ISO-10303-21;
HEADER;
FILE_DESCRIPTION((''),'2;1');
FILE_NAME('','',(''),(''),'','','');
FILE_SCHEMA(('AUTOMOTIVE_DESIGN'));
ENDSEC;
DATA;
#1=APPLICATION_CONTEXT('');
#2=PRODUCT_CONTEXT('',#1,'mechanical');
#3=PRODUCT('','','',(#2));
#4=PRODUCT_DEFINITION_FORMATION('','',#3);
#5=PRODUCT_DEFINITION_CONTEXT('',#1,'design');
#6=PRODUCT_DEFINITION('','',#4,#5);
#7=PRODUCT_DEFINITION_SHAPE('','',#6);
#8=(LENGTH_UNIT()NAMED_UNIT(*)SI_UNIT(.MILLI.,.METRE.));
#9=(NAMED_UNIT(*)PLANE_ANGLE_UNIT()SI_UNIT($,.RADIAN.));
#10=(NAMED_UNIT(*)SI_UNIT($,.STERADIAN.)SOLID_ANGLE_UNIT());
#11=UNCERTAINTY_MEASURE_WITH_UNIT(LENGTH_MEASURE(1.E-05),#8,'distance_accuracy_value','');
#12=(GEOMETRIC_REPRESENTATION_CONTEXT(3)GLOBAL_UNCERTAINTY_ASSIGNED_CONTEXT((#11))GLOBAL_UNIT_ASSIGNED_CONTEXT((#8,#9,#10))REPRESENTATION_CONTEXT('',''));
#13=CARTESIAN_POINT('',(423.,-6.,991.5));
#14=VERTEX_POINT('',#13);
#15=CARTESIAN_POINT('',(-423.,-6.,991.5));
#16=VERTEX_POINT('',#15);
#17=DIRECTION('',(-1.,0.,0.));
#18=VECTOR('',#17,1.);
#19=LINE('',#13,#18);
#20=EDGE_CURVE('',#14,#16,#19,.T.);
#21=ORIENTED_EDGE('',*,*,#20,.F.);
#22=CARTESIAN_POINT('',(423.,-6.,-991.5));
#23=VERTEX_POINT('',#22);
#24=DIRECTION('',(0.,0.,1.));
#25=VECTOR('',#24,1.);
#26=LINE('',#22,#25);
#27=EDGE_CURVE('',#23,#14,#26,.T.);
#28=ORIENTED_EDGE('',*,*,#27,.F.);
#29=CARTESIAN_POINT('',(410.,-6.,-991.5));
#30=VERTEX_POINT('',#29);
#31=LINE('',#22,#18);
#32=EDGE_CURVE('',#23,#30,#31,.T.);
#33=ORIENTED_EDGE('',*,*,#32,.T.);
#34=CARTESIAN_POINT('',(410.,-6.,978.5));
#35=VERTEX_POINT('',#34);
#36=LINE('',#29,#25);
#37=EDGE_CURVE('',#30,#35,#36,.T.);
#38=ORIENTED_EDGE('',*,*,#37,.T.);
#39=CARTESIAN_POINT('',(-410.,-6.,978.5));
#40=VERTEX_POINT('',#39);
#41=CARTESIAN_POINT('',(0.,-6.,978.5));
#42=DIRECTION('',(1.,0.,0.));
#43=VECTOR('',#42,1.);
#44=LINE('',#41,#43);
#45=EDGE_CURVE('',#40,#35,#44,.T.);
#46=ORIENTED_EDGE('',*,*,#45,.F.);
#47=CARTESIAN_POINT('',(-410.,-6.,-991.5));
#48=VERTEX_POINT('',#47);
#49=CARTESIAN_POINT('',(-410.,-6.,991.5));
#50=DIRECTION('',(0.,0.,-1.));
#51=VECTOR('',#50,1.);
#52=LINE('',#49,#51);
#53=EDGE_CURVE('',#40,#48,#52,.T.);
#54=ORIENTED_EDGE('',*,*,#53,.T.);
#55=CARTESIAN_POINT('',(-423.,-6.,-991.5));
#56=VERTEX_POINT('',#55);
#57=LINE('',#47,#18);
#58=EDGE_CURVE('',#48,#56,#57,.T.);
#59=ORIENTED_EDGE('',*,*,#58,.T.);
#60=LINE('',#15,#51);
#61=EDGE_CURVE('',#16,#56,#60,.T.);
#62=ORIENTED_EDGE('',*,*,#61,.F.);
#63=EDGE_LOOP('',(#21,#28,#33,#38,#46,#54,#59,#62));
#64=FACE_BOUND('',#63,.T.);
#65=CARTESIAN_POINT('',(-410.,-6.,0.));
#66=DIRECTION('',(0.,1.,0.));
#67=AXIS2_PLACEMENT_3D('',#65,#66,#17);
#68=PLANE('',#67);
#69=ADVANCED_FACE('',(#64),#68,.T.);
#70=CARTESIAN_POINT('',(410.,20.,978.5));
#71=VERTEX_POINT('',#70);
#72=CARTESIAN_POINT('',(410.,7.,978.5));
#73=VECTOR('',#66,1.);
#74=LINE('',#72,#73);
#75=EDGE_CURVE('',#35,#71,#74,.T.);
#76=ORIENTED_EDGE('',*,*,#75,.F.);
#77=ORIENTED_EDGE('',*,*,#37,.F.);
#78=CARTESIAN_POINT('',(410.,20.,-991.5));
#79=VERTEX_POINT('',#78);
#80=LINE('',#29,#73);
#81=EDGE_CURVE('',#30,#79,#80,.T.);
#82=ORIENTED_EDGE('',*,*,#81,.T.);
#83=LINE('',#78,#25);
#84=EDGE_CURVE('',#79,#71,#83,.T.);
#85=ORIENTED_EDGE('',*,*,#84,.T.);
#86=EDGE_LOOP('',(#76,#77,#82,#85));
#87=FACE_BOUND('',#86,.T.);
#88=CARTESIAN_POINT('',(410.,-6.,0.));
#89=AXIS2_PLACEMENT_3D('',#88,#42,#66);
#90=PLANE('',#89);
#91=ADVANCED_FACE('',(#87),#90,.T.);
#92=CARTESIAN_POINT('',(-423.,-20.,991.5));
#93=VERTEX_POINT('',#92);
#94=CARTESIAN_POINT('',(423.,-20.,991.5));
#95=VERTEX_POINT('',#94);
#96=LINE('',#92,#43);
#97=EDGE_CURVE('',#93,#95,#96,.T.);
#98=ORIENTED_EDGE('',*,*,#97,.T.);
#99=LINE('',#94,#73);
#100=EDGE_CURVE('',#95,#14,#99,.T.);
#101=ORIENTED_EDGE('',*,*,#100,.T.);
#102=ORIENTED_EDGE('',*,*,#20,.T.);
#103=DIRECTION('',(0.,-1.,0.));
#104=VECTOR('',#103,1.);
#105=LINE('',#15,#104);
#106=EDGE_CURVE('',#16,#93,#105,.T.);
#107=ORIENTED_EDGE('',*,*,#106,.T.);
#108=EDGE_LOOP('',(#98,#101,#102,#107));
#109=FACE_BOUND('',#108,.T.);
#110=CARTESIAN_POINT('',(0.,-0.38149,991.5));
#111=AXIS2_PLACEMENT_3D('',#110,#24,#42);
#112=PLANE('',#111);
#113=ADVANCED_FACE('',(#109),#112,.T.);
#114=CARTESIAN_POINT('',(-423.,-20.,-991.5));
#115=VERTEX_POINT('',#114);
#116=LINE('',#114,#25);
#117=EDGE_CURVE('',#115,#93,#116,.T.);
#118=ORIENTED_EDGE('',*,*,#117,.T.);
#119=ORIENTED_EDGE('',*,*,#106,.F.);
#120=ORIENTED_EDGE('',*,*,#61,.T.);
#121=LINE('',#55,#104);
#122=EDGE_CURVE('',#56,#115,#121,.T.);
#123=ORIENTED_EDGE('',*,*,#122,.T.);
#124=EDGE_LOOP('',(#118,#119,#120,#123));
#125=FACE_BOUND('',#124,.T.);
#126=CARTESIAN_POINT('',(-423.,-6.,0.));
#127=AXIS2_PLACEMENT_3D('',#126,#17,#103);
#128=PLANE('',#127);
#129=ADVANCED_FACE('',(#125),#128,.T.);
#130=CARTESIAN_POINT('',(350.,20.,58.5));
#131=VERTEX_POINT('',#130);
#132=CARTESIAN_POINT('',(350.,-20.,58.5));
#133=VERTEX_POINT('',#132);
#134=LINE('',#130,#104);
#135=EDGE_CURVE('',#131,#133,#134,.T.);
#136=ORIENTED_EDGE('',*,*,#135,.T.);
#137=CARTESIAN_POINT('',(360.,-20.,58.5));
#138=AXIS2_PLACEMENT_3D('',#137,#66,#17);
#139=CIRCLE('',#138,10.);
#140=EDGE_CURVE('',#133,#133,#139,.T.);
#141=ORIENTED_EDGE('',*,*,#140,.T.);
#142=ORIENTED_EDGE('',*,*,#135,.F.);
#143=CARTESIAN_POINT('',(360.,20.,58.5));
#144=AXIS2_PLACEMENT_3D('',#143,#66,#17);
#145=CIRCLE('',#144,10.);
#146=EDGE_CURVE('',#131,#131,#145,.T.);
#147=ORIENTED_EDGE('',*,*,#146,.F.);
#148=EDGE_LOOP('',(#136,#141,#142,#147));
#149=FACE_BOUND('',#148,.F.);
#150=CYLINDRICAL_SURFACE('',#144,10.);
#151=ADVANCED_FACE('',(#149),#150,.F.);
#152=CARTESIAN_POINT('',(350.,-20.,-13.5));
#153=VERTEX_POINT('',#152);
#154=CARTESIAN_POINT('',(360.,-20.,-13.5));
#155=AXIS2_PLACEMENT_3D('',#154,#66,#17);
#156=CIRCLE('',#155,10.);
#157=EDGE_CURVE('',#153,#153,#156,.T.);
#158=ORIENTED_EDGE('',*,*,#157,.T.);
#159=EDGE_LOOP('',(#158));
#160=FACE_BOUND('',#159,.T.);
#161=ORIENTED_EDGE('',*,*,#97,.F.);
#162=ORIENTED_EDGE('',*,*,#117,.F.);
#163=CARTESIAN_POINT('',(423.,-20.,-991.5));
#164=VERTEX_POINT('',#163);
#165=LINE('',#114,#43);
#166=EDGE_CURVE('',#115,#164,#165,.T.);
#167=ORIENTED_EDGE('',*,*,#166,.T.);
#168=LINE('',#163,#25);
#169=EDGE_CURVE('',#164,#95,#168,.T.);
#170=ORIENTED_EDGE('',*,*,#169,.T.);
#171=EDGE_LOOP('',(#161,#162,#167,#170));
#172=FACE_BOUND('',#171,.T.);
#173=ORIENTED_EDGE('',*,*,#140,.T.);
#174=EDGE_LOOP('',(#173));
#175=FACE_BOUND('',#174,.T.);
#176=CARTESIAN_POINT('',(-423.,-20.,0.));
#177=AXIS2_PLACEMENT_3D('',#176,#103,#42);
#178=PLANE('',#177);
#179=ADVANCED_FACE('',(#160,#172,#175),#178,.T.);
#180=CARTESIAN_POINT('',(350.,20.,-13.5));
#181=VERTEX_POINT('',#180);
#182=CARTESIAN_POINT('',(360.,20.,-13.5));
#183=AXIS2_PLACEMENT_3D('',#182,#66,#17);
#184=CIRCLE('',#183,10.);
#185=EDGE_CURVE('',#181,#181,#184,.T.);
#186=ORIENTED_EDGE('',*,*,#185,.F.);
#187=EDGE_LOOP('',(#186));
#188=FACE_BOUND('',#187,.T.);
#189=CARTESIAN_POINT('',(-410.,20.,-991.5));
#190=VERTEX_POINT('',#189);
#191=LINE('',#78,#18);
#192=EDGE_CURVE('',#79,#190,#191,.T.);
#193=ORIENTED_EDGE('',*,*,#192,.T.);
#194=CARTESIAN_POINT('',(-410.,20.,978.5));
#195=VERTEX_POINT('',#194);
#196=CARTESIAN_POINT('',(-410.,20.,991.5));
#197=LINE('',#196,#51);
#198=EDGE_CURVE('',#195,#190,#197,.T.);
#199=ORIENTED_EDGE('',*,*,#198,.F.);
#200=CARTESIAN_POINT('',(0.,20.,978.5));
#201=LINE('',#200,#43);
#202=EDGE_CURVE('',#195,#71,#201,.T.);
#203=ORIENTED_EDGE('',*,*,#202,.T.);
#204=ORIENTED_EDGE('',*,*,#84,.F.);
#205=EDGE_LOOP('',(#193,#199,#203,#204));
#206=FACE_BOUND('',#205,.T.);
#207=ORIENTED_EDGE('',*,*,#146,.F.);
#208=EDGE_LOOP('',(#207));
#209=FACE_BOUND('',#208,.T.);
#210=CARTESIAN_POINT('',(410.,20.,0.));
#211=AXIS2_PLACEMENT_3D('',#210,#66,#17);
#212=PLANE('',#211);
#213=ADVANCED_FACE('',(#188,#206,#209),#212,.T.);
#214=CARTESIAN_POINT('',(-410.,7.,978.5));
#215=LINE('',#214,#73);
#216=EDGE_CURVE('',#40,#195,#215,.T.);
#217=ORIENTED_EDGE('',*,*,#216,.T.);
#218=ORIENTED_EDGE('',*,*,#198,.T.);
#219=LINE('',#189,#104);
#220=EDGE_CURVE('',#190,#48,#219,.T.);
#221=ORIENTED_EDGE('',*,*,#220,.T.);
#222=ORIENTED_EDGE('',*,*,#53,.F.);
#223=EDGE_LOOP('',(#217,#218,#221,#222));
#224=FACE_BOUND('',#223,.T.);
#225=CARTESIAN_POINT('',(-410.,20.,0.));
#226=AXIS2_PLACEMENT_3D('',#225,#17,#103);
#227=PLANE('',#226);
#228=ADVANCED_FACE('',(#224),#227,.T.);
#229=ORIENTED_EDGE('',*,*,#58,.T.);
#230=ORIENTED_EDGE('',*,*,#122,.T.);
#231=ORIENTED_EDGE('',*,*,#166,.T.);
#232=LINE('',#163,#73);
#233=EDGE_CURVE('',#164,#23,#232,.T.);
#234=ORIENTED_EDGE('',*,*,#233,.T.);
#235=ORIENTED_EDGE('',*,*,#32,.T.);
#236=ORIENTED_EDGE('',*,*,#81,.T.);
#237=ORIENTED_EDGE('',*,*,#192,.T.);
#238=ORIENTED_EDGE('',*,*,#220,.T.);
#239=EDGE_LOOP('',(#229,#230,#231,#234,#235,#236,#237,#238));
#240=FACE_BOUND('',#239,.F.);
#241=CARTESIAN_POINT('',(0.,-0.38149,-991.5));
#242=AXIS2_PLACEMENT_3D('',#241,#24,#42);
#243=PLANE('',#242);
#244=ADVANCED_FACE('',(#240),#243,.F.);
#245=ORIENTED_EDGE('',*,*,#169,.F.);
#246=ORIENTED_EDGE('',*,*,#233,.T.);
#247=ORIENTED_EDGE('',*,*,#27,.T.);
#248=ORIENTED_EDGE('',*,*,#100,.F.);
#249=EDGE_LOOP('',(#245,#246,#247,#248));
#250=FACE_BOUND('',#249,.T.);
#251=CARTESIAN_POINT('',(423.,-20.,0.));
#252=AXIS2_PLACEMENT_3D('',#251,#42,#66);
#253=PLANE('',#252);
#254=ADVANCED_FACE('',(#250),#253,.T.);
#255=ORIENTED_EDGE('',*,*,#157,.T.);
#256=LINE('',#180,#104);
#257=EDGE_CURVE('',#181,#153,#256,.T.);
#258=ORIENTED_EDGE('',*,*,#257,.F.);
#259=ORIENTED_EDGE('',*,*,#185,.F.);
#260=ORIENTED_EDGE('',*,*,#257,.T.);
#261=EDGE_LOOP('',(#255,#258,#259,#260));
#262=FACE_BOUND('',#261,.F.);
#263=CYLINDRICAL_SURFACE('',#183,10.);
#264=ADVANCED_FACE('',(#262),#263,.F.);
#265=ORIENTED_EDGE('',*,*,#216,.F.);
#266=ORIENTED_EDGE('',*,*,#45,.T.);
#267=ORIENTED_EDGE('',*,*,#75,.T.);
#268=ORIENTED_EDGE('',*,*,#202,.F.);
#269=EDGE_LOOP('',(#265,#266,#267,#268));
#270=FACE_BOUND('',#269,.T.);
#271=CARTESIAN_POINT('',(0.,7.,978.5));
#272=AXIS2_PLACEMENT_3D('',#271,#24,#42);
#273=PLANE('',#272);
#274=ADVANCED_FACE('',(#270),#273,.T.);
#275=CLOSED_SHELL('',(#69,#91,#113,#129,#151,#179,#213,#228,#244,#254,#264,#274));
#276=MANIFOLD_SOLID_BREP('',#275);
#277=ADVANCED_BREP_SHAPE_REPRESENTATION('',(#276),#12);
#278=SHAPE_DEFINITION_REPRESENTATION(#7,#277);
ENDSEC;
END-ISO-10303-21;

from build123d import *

# Parameters (mm, degrees)
F1_DEPTH = 991.5
F2_W     = 820
F2_H     = 26
F3_DEPTH = 13
F4_R     = 10
F5_DEPTH = 40


with BuildPart() as f1:
    # F0 (on Top) → F1 (new body, symmetric)
    with BuildSketch(Plane.XY):
        Polygon((-423, -6), (-423, -20), (423, -20), (423, -6), (410, -6), (410, 20), (-410, 20), (-410, -6), align=None)
    extrude(amount=F1_DEPTH, both=True)

    # F2 (on face) → F3 (cut)
    with BuildSketch(Plane.XY.offset(991.5)):
        with Locations((0, 7)):
            Rectangle(F2_W, F2_H)
    extrude(amount=-F3_DEPTH, mode=Mode.SUBTRACT)

    # F4 (on face) → F5 (cut, through all)
    with BuildSketch(Plane(origin=(0, 20, 0), x_dir=(-1, 0, 0), z_dir=(0, 1, 0))):
        with Locations((-360, 58.5)):
            Circle(F4_R)
        with Locations((-360, -13.5)):
            Circle(F4_R)
    extrude(amount=-F5_DEPTH, mode=Mode.SUBTRACT)


solid = f1.part
